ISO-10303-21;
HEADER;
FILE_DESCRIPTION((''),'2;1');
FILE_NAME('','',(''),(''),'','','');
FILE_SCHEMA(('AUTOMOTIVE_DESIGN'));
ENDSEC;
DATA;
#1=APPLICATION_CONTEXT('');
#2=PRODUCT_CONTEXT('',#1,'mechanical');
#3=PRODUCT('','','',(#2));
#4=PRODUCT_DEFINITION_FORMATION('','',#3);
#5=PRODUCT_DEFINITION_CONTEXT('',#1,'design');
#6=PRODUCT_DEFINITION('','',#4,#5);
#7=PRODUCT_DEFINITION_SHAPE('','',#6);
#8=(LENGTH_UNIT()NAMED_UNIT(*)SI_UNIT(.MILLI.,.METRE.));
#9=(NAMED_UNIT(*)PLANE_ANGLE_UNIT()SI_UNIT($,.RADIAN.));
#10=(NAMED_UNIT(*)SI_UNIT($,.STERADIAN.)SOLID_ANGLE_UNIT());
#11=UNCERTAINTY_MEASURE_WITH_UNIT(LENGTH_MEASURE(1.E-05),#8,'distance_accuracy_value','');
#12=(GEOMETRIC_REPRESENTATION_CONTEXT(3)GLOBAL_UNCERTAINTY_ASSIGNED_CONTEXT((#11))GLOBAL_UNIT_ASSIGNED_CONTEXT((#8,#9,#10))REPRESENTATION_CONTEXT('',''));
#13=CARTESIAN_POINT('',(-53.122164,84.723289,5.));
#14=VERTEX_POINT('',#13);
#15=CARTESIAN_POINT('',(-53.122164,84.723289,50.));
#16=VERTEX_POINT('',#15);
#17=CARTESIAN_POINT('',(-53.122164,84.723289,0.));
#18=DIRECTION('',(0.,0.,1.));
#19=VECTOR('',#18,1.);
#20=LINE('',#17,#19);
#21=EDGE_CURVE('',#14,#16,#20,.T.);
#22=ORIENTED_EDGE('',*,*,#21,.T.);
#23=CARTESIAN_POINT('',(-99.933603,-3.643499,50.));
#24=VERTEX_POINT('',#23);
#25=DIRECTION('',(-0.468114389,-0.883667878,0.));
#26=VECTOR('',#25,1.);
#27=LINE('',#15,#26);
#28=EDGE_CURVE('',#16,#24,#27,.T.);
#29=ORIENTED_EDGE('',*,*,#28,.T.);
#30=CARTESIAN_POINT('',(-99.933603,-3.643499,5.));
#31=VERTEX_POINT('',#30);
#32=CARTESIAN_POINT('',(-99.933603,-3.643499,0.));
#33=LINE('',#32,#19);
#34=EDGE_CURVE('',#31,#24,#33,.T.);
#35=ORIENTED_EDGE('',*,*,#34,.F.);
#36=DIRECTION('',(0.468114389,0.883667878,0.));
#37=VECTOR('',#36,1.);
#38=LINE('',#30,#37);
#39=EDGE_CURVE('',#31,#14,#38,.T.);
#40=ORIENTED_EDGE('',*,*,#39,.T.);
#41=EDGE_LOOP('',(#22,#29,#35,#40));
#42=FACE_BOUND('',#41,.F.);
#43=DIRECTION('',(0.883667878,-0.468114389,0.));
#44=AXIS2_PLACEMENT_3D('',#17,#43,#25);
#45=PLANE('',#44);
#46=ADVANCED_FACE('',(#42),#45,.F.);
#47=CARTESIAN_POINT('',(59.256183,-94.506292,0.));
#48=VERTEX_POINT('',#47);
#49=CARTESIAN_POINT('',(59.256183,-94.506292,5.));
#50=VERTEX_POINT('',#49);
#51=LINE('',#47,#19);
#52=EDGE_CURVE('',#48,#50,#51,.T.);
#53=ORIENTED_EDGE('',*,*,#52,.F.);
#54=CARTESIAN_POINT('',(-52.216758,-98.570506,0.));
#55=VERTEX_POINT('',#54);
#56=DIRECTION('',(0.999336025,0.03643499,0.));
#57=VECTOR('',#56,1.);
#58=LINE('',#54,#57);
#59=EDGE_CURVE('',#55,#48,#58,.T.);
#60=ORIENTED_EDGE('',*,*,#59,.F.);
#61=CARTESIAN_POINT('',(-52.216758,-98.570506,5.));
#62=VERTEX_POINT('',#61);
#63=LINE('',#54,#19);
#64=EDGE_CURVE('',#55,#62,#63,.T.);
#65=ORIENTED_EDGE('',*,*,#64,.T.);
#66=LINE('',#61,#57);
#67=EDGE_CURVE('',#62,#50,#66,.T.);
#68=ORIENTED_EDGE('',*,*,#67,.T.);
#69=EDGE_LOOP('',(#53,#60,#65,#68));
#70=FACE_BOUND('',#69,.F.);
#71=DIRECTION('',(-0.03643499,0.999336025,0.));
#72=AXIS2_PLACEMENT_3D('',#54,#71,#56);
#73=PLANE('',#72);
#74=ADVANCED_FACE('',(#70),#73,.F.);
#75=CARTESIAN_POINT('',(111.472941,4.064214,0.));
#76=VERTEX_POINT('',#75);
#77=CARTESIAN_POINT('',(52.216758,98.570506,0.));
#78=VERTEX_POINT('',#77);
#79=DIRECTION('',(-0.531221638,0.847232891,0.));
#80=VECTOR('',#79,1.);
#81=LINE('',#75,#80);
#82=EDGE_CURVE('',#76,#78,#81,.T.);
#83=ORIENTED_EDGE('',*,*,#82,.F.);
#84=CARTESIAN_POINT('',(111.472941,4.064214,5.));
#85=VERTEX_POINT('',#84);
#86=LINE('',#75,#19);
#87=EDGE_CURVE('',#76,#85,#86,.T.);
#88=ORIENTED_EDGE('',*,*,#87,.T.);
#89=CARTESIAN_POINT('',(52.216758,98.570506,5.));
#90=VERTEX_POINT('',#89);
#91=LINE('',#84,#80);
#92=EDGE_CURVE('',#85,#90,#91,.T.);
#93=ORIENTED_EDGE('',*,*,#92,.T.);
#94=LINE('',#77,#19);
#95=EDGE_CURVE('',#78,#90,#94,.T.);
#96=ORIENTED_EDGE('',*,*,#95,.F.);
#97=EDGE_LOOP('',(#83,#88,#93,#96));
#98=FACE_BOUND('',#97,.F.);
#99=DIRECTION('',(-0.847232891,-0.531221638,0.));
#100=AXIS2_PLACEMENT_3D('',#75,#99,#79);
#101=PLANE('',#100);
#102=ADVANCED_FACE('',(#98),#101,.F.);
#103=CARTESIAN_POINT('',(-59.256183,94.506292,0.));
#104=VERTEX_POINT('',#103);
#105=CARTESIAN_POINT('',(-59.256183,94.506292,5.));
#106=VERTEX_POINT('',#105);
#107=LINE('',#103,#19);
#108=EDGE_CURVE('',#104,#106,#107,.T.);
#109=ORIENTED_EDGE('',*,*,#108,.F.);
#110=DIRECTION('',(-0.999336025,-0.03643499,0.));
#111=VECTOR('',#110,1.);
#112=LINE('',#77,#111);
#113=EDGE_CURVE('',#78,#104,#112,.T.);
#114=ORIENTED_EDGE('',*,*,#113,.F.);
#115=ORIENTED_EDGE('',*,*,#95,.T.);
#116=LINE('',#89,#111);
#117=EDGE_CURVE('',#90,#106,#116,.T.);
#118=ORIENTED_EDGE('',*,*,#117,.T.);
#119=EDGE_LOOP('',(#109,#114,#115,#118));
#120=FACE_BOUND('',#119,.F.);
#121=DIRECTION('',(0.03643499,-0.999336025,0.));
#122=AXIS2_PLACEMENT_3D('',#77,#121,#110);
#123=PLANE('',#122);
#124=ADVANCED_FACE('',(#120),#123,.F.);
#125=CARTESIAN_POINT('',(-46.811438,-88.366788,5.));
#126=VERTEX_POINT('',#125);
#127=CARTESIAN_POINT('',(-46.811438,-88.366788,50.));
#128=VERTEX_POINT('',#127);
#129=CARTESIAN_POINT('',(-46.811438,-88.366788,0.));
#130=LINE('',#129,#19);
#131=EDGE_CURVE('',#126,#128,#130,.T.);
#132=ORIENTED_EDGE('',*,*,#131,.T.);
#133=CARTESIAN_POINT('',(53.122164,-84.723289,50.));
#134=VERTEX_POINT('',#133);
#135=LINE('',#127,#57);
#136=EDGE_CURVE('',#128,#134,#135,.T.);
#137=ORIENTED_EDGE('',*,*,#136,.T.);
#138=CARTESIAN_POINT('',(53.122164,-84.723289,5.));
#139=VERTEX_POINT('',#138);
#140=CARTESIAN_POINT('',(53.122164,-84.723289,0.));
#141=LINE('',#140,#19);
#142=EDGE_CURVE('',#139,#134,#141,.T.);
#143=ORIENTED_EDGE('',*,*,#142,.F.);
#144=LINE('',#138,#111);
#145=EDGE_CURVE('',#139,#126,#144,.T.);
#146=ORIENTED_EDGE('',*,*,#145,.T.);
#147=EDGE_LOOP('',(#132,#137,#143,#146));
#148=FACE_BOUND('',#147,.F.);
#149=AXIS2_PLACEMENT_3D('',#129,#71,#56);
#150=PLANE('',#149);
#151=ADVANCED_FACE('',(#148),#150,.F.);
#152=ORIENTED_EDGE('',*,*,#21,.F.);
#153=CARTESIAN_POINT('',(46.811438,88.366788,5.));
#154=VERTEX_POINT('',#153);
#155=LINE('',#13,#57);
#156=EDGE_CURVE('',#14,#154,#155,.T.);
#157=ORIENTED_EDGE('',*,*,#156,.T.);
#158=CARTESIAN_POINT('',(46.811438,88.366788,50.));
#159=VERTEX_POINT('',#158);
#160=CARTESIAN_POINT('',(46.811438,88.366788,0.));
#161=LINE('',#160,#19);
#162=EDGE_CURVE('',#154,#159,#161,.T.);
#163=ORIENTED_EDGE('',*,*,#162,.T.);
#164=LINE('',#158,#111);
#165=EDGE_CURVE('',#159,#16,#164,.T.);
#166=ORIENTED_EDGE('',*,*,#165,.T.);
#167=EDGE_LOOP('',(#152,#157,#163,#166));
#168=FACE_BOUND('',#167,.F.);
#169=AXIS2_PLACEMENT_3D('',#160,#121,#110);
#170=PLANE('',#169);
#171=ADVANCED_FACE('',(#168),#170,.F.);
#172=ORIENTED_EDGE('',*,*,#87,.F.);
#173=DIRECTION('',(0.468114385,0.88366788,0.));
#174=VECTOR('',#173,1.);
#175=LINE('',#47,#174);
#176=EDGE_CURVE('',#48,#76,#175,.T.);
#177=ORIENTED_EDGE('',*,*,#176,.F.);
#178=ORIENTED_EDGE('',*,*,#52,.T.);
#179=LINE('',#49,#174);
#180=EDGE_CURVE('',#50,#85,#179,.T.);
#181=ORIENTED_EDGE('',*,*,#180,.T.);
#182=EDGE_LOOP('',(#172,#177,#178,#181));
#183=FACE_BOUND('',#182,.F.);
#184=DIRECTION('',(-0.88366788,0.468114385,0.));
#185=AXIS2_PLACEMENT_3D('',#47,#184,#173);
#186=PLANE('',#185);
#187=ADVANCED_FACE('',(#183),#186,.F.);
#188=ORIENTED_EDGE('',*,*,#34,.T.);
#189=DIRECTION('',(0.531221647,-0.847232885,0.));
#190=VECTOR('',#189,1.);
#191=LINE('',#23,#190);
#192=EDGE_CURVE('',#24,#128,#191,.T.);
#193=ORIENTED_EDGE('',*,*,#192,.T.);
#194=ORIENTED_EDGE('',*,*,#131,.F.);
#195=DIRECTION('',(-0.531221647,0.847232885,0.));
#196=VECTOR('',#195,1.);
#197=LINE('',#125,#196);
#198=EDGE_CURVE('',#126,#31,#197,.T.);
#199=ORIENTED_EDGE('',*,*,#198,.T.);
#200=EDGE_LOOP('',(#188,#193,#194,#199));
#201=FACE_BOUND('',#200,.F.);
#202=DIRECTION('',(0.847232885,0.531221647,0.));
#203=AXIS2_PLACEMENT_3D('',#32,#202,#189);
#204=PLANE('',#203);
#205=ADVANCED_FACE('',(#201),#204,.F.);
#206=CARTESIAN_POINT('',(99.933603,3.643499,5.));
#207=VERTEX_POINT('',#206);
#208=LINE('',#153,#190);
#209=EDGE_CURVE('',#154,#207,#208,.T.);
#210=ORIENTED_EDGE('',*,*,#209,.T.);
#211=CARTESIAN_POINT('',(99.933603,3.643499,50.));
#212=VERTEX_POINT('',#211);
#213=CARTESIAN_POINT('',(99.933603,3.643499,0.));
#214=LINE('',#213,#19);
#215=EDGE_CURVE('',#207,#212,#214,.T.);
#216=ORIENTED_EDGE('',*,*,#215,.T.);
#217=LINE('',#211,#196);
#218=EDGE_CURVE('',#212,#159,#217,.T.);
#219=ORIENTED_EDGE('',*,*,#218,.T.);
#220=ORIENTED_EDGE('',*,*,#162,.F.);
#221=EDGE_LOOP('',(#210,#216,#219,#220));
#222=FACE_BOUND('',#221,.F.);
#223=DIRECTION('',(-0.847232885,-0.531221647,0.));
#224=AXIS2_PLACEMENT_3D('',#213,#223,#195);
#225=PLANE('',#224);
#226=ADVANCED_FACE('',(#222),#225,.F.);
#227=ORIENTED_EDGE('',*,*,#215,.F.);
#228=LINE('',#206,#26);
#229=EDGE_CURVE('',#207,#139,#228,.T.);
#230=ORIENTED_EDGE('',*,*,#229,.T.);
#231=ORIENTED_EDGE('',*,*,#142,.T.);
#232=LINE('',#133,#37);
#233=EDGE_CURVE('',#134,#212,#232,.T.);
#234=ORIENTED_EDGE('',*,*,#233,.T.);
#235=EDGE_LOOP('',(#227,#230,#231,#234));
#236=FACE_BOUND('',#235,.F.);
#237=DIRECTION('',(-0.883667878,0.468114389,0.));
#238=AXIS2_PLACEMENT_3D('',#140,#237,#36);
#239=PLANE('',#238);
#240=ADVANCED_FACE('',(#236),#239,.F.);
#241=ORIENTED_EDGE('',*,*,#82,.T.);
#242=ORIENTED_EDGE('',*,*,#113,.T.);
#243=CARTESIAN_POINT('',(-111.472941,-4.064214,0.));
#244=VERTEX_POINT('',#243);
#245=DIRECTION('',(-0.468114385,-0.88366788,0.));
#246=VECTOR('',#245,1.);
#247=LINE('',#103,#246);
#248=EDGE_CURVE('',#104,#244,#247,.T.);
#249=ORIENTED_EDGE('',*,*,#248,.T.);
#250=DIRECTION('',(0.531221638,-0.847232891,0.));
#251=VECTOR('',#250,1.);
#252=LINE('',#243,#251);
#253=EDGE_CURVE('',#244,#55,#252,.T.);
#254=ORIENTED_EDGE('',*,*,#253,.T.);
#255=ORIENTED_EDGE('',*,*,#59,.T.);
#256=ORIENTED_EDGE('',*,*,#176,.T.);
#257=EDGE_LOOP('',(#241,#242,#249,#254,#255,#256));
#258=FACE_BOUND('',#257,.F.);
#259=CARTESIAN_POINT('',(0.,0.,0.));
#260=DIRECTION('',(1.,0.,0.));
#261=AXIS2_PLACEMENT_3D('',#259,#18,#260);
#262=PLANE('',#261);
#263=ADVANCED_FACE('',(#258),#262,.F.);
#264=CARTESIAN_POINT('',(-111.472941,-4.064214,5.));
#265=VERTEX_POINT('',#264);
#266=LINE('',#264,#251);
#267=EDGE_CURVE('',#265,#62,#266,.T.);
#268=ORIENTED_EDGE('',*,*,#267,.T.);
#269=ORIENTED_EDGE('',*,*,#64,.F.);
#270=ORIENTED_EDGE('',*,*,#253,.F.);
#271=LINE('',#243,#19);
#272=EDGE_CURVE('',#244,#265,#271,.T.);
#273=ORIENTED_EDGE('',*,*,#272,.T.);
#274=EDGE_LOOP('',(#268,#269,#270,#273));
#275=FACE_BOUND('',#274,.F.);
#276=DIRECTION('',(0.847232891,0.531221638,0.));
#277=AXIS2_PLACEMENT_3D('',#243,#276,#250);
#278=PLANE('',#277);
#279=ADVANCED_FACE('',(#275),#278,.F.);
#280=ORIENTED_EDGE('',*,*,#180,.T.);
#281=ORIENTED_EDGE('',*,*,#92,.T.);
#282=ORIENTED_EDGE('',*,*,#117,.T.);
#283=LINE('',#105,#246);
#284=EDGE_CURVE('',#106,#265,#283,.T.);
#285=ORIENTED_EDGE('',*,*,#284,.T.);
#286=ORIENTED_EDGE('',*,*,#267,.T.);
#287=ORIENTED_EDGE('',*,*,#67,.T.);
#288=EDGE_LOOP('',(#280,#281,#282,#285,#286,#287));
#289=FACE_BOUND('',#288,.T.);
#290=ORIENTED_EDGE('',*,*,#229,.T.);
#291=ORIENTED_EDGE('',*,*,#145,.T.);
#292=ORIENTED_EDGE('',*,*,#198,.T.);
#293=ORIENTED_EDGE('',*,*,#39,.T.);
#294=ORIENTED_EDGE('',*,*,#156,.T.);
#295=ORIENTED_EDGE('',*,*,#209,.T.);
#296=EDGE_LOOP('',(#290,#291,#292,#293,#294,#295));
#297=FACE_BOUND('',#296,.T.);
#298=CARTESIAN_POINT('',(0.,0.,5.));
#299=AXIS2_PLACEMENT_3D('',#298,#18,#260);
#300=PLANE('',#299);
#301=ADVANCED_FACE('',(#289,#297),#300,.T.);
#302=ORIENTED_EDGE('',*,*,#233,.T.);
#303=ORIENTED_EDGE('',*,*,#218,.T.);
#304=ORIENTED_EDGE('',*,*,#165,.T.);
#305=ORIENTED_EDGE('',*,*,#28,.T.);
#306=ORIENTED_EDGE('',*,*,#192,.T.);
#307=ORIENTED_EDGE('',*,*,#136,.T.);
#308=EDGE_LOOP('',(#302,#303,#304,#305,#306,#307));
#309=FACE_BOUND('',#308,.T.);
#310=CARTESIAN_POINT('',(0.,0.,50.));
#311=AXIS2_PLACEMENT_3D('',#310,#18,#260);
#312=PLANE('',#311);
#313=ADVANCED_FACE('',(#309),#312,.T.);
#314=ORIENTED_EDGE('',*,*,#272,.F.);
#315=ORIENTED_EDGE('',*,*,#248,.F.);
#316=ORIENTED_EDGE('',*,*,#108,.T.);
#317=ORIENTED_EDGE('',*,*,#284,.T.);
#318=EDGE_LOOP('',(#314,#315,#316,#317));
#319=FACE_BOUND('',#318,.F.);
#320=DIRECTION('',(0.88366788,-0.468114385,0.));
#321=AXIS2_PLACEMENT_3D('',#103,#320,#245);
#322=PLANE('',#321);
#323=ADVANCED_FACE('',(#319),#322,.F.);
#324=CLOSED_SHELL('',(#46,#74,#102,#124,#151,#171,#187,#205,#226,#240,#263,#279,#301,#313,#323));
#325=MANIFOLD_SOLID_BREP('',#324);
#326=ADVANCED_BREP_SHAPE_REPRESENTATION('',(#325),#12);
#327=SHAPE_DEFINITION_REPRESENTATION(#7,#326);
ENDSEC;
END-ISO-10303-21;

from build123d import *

# Parameters (mm, degrees)
F1_DEPTH = 50
F3_DEPTH = 5


with BuildPart() as f1:
    # F0 (on Top) → F1 (new body)
    with BuildSketch(Plane.XY):
        Polygon((53.122164, -84.723289), (99.933603, 3.643499), (46.811438, 88.366788), (-53.122164, 84.723289), (-99.933603, -3.643499), (-46.811438, -88.366788), align=None)
    extrude(amount=F1_DEPTH)

    # F2 (on face) → F3 (join)
    with BuildSketch(Plane.XY):
        Polygon((-52.216758, -98.570506), (59.256183, -94.506292), (111.472941, 4.064214), (52.216758, 98.570506), (-59.256183, 94.506292), (-111.472941, -4.064214), align=None)
        Polygon((99.933603, 3.643499), (53.122164, -84.723289), (-46.811438, -88.366788), (-99.933603, -3.643499), (-53.122164, 84.723289), (46.811438, 88.366788), align=None, mode=Mode.SUBTRACT)
    extrude(amount=F3_DEPTH)


solid = f1.part
